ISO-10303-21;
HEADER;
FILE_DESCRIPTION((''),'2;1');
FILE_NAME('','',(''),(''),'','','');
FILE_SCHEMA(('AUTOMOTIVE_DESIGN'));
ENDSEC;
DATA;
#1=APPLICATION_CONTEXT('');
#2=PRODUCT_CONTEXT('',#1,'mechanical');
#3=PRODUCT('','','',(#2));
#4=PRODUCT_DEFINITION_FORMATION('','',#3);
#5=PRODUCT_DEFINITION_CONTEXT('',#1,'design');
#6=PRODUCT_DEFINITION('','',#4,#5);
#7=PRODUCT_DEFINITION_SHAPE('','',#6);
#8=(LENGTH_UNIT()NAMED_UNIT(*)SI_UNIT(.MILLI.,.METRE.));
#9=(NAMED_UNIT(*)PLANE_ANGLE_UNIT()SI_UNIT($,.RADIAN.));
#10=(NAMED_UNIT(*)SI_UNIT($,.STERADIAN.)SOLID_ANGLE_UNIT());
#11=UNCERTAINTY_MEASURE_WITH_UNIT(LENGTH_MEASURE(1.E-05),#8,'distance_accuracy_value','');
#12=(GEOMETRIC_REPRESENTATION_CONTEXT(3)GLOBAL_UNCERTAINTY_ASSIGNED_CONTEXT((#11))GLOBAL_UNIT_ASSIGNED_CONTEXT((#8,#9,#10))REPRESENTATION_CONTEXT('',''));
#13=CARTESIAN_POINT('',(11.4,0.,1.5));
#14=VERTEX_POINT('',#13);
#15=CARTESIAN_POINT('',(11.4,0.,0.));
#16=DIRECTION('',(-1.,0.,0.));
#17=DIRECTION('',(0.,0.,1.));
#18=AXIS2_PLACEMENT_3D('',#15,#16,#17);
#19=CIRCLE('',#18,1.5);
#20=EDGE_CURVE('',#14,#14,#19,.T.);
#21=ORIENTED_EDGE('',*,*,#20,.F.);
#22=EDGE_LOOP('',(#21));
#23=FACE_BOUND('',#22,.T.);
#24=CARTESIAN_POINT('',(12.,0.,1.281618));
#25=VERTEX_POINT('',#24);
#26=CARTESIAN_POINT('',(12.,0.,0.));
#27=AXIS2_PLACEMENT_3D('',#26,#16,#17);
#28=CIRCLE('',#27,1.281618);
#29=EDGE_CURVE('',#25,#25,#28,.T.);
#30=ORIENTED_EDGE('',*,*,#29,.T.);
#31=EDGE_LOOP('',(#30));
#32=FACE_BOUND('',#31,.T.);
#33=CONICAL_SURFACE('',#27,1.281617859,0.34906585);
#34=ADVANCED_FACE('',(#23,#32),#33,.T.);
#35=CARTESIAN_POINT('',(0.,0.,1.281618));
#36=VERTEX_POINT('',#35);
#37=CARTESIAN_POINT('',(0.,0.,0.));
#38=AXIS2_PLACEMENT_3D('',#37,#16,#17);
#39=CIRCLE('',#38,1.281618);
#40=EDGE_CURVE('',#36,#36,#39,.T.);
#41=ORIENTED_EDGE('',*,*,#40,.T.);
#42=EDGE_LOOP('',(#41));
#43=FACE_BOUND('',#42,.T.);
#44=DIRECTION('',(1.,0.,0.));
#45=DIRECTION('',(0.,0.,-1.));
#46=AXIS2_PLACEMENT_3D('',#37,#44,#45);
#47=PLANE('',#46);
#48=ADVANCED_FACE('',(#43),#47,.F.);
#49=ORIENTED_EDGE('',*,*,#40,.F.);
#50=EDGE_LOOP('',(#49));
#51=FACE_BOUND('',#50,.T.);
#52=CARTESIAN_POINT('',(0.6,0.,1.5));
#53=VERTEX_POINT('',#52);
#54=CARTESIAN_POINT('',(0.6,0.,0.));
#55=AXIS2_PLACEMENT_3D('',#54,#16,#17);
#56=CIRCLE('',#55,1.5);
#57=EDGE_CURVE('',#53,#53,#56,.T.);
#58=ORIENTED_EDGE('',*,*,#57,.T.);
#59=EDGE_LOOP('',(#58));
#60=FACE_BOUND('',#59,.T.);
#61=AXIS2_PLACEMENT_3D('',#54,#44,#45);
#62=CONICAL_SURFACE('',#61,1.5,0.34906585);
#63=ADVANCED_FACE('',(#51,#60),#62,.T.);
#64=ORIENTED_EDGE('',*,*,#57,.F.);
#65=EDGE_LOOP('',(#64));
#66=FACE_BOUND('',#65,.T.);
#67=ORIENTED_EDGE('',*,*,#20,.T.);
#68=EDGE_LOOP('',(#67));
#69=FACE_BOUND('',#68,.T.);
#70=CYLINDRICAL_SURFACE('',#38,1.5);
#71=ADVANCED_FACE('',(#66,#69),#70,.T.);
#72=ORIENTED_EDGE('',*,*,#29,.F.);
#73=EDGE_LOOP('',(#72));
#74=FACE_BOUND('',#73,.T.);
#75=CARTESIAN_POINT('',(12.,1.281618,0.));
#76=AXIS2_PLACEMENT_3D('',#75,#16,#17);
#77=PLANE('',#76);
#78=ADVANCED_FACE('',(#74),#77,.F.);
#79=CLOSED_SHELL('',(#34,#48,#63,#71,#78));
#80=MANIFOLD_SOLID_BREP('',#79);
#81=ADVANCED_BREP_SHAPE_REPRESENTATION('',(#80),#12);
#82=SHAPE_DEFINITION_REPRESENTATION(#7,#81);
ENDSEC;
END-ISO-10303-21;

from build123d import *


with BuildPart() as part:
    # Эскиз1 → Повернуть1 (revolve)
    with BuildSketch(Plane.XY, mode=Mode.PRIVATE) as revolve_1_sk:
        Polygon((0, 0), (0, 1.281617859), (0.6, 1.5), (11.4, 1.5), (12, 1.281617859), (12, 0), align=None)
    revolve(revolve_1_sk.sketch.rotate(Axis((0, 0, 0), (1, 0, 0)), 90), axis=Axis((0, 0, 0), (1, 0, 0)))


solid = part.part
